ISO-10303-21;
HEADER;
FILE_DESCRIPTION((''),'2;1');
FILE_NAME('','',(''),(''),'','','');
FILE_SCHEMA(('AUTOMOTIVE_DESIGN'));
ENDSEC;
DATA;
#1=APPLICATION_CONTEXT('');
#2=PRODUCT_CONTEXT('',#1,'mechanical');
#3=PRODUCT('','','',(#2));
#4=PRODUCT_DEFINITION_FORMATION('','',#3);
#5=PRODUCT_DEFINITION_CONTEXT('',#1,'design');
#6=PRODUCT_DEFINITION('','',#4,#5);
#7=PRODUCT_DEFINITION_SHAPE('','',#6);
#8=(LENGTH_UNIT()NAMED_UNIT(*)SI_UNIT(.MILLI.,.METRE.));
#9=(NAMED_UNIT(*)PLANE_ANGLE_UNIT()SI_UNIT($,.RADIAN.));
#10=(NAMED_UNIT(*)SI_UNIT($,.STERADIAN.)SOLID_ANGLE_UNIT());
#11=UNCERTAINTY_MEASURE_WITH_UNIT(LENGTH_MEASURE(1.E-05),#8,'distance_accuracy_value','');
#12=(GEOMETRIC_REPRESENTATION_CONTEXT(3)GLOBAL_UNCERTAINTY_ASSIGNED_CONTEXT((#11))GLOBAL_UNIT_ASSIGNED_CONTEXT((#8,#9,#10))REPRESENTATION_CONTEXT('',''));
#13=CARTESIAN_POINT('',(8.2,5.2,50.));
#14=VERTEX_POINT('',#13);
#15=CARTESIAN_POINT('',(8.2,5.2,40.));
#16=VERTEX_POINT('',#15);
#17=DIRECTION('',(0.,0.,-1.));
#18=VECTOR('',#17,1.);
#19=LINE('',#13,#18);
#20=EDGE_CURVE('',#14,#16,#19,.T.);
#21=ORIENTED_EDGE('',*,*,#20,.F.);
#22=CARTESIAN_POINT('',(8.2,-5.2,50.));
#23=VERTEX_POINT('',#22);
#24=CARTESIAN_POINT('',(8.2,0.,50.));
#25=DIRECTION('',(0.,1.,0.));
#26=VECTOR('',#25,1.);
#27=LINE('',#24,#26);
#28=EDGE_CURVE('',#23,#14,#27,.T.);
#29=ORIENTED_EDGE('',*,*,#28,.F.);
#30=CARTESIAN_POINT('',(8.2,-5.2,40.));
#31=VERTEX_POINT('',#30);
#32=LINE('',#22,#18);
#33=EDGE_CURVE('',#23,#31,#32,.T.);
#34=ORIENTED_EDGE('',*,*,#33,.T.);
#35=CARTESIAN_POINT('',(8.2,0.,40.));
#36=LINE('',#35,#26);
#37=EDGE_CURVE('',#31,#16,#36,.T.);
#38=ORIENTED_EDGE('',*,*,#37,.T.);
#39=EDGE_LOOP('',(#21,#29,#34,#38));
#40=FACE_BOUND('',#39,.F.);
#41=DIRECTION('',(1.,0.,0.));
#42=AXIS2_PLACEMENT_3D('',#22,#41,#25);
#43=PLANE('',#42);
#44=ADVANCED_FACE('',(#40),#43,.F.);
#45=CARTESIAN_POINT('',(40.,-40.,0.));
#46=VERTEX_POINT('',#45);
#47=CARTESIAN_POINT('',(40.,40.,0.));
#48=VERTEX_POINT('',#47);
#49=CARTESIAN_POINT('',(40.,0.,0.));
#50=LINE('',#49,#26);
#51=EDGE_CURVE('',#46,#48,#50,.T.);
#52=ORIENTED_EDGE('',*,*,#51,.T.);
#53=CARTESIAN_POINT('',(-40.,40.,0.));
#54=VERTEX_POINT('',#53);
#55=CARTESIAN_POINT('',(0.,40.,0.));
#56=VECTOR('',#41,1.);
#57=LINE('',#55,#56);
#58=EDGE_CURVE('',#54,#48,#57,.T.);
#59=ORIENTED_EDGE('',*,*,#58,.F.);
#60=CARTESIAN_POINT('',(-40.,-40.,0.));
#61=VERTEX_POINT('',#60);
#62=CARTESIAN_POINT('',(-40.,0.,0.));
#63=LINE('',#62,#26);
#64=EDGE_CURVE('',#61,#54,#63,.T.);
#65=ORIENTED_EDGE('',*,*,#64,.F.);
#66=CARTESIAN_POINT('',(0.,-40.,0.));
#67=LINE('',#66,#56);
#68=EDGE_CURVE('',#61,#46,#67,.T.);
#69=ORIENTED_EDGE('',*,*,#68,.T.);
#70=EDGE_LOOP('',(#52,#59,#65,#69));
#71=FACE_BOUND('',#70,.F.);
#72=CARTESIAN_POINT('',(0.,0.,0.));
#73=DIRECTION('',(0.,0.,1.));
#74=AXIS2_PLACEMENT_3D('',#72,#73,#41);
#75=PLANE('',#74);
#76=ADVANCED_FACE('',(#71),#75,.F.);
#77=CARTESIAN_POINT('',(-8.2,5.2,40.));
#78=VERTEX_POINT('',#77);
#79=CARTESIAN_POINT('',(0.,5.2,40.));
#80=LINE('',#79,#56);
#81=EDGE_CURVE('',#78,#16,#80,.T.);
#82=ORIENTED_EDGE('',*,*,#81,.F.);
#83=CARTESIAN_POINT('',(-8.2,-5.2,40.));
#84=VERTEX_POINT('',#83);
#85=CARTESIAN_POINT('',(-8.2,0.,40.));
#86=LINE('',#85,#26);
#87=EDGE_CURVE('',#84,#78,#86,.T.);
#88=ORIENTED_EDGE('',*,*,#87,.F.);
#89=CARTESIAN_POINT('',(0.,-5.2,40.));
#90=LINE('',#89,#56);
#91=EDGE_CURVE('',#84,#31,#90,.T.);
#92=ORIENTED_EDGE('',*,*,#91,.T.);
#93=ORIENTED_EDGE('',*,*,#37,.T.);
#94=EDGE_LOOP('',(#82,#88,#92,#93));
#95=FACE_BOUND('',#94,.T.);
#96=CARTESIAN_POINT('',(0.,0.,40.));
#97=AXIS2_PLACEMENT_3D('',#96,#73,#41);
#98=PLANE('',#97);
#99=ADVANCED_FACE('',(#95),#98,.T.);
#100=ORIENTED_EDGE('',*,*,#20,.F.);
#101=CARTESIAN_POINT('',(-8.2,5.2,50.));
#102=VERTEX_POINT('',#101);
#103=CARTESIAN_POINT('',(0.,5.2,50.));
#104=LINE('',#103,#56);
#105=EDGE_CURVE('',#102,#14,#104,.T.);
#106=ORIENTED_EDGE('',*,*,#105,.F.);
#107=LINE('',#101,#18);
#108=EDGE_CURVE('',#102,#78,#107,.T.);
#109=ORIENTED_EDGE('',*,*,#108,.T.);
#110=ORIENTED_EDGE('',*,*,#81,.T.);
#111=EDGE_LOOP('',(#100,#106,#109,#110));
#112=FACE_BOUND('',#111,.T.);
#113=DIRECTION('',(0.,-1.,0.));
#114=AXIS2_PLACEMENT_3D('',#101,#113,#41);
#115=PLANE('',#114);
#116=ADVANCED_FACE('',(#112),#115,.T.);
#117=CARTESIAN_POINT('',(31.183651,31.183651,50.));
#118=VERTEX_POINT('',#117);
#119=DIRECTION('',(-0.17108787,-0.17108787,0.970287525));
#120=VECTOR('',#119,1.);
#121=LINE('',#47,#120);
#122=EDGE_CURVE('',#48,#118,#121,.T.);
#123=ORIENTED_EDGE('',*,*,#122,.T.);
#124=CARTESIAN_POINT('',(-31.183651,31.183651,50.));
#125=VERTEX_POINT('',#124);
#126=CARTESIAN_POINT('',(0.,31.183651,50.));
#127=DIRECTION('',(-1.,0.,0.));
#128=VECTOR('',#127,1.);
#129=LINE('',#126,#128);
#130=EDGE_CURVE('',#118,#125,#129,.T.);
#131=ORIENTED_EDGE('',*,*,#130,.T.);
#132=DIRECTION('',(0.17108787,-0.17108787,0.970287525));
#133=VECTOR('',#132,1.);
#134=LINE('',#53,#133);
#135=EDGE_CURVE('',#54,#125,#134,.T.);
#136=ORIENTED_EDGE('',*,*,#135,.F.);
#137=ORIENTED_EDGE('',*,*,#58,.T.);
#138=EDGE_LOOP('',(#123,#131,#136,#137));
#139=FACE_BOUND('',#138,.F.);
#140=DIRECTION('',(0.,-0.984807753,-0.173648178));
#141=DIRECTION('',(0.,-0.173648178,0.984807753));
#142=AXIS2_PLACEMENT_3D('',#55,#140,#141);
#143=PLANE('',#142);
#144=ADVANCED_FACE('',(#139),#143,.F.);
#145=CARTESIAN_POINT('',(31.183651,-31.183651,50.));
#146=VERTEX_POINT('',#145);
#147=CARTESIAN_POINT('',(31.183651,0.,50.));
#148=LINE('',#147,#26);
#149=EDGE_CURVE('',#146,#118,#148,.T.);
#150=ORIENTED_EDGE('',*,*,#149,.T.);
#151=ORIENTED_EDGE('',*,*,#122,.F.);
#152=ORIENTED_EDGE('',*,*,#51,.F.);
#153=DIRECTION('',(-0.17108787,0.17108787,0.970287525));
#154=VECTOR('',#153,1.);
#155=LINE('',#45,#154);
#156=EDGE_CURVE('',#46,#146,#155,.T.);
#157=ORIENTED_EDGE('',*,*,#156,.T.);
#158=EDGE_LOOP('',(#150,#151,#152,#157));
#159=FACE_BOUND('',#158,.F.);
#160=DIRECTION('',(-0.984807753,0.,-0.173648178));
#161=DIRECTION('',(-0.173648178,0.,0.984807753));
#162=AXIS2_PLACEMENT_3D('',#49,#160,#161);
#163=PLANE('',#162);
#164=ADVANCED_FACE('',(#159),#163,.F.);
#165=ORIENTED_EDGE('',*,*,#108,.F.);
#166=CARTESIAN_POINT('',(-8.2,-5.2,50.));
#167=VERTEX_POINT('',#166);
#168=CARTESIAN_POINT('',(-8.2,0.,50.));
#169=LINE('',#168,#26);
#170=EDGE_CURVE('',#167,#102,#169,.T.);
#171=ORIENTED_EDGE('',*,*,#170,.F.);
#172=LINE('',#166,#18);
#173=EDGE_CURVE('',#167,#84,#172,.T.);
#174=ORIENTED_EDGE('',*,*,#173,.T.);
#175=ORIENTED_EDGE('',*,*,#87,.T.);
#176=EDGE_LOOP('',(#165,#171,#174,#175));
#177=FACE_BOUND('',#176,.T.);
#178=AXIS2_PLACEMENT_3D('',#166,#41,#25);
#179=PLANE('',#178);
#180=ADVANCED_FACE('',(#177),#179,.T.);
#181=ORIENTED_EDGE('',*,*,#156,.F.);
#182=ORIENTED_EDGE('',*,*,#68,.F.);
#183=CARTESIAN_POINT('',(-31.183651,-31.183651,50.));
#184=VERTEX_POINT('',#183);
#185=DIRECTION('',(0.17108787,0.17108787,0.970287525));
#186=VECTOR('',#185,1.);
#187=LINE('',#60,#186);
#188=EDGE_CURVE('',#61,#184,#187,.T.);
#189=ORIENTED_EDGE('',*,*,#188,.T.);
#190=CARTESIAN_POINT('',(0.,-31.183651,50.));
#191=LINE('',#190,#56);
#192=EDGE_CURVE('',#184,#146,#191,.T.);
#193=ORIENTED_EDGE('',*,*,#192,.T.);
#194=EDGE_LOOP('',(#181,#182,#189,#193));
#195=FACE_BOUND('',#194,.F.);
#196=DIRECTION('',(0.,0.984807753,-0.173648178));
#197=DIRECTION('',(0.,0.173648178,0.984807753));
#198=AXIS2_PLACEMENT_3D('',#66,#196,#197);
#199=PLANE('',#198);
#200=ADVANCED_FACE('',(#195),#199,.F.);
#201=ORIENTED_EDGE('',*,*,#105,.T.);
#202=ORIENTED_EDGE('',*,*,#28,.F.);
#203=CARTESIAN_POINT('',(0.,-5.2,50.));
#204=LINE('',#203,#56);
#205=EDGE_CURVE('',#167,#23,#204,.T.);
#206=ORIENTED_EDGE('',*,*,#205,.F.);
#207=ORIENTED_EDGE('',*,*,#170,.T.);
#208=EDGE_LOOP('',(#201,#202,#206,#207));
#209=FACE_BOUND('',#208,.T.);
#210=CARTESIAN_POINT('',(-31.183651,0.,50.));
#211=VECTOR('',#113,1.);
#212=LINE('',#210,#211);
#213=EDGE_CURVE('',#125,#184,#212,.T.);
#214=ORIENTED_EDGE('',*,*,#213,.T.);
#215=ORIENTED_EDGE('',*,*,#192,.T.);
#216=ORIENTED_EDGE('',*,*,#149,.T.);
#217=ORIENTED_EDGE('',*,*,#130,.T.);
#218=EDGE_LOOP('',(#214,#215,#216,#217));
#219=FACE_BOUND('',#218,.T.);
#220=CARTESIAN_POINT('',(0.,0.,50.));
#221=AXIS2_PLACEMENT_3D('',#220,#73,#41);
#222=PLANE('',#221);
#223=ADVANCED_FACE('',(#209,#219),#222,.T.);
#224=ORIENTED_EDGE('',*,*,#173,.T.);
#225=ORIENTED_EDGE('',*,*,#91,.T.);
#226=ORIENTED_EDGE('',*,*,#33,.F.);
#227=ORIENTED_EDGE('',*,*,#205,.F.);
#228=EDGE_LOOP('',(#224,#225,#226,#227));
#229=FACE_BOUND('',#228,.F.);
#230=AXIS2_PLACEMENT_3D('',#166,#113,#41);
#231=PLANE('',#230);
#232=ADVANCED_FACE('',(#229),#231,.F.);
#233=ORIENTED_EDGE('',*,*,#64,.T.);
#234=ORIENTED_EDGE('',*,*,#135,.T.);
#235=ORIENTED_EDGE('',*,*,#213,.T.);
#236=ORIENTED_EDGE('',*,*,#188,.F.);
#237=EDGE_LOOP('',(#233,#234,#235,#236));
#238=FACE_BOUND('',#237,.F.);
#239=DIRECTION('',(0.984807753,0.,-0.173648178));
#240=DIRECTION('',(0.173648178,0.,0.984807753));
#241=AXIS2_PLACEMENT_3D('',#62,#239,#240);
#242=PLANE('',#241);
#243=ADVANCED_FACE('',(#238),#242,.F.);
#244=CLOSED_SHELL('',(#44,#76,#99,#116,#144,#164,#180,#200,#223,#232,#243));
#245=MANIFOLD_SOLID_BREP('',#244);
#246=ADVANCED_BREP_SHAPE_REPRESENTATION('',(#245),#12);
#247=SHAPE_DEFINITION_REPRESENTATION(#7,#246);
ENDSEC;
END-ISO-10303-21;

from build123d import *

# Parameters (mm, degrees)
F0_W     = 80
F0_H     = 80
F1_DEPTH = 50
F1_TAPER = 10
F2_W     = 16.4
F2_H     = 10.4
F3_DEPTH = 10


with BuildPart() as f1:
    # F0 (on Top) → F1 (new body)
    with BuildSketch(Plane.XY):
        Rectangle(F0_W, F0_H)
    extrude(amount=F1_DEPTH, taper=F1_TAPER)

    # F2 (on face) → F3 (cut)
    with BuildSketch(Plane.XY.offset(50)):
        Rectangle(F2_W, F2_H)
    extrude(amount=-F3_DEPTH, mode=Mode.SUBTRACT)


solid = f1.part
